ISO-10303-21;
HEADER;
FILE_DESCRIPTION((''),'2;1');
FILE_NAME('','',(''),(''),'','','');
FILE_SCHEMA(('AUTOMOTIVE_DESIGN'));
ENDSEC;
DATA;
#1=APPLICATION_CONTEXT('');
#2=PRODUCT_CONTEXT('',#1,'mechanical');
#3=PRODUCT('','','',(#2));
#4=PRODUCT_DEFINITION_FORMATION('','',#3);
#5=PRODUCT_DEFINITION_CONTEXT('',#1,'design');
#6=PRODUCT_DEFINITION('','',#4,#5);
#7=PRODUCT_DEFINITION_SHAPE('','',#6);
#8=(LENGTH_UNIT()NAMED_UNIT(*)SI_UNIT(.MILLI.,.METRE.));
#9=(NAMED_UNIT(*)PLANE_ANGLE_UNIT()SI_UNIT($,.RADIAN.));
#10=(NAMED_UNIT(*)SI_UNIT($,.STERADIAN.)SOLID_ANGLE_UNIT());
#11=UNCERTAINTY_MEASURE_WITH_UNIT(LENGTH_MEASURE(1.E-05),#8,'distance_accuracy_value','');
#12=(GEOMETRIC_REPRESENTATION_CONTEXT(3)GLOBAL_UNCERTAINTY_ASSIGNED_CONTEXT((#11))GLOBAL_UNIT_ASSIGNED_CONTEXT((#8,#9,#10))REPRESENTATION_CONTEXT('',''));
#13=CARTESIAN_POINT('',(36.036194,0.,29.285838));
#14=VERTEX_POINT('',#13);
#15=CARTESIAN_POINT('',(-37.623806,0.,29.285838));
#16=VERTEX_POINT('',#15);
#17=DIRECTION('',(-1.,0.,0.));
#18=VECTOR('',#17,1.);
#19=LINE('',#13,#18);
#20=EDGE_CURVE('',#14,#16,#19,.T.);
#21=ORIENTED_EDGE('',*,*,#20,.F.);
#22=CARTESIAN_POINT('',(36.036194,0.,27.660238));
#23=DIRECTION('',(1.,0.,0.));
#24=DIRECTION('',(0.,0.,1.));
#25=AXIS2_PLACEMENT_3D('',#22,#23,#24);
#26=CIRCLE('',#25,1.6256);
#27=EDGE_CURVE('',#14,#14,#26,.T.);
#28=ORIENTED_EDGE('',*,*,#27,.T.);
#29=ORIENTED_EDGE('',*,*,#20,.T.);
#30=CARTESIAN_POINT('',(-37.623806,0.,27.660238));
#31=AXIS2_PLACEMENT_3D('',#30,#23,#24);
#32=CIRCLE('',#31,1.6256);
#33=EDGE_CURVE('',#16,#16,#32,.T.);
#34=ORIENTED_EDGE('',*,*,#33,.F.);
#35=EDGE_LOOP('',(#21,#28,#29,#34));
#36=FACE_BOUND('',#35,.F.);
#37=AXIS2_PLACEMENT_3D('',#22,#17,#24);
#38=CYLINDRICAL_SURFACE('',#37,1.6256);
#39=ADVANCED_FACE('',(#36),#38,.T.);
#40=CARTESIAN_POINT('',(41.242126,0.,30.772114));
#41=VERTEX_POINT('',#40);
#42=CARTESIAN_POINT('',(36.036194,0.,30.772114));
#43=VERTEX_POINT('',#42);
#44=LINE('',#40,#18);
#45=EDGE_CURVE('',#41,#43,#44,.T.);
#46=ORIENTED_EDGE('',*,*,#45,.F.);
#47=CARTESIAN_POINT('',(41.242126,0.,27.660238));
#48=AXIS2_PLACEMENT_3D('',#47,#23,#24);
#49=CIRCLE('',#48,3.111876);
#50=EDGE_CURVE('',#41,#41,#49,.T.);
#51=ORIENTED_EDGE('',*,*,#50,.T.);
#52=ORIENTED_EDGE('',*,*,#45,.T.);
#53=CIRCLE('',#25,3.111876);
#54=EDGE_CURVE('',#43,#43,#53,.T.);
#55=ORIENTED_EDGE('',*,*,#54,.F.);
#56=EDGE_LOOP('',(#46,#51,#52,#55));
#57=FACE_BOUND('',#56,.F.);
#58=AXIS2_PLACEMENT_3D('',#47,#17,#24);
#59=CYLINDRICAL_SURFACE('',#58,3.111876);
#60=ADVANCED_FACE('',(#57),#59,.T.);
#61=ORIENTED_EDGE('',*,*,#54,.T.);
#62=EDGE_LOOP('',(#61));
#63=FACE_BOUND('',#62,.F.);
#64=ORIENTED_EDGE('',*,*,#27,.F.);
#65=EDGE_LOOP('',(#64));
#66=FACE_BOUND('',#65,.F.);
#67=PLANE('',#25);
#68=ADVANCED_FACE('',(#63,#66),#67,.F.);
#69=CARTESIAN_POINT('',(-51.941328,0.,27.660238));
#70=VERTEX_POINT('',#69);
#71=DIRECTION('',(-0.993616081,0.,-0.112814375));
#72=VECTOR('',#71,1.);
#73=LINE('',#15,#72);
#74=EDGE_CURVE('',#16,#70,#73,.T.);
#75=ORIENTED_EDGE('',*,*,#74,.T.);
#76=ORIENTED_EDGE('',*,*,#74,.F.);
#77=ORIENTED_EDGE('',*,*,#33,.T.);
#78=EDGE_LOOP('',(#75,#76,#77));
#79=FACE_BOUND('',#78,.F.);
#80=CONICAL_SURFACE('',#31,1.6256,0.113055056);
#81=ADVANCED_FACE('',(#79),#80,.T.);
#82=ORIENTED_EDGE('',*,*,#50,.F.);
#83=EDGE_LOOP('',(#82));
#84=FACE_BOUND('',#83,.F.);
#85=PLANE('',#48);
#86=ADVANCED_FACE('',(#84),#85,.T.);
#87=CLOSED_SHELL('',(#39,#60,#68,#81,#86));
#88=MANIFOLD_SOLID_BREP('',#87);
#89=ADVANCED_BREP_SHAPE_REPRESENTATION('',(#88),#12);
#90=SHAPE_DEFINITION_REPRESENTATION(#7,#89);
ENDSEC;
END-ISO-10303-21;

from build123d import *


with BuildPart() as f1:
    # F0 (on Front) → F1 (revolve)
    with BuildSketch(Plane.XZ):
        Polygon((-51.941328, 27.660238), (-37.623806, 27.660238), (36.036194, 27.660238), (36.036194, 29.285838), (-37.623806, 29.285838), align=None)
    revolve(axis=Axis((-0.793806, 0, 27.660238), (1, 0, 0)))

    # F0 (on Front) → F2 (revolve)
    with BuildSketch(Plane.XZ):
        Polygon((36.036194, 29.285838), (36.036194, 27.660238), (41.242126, 27.660238), (41.242126, 30.772114), (36.036194, 30.772114), align=None)
    revolve(axis=Axis((38.63916, 0, 27.660238), (1, 0, 0)))


solid = f1.part
